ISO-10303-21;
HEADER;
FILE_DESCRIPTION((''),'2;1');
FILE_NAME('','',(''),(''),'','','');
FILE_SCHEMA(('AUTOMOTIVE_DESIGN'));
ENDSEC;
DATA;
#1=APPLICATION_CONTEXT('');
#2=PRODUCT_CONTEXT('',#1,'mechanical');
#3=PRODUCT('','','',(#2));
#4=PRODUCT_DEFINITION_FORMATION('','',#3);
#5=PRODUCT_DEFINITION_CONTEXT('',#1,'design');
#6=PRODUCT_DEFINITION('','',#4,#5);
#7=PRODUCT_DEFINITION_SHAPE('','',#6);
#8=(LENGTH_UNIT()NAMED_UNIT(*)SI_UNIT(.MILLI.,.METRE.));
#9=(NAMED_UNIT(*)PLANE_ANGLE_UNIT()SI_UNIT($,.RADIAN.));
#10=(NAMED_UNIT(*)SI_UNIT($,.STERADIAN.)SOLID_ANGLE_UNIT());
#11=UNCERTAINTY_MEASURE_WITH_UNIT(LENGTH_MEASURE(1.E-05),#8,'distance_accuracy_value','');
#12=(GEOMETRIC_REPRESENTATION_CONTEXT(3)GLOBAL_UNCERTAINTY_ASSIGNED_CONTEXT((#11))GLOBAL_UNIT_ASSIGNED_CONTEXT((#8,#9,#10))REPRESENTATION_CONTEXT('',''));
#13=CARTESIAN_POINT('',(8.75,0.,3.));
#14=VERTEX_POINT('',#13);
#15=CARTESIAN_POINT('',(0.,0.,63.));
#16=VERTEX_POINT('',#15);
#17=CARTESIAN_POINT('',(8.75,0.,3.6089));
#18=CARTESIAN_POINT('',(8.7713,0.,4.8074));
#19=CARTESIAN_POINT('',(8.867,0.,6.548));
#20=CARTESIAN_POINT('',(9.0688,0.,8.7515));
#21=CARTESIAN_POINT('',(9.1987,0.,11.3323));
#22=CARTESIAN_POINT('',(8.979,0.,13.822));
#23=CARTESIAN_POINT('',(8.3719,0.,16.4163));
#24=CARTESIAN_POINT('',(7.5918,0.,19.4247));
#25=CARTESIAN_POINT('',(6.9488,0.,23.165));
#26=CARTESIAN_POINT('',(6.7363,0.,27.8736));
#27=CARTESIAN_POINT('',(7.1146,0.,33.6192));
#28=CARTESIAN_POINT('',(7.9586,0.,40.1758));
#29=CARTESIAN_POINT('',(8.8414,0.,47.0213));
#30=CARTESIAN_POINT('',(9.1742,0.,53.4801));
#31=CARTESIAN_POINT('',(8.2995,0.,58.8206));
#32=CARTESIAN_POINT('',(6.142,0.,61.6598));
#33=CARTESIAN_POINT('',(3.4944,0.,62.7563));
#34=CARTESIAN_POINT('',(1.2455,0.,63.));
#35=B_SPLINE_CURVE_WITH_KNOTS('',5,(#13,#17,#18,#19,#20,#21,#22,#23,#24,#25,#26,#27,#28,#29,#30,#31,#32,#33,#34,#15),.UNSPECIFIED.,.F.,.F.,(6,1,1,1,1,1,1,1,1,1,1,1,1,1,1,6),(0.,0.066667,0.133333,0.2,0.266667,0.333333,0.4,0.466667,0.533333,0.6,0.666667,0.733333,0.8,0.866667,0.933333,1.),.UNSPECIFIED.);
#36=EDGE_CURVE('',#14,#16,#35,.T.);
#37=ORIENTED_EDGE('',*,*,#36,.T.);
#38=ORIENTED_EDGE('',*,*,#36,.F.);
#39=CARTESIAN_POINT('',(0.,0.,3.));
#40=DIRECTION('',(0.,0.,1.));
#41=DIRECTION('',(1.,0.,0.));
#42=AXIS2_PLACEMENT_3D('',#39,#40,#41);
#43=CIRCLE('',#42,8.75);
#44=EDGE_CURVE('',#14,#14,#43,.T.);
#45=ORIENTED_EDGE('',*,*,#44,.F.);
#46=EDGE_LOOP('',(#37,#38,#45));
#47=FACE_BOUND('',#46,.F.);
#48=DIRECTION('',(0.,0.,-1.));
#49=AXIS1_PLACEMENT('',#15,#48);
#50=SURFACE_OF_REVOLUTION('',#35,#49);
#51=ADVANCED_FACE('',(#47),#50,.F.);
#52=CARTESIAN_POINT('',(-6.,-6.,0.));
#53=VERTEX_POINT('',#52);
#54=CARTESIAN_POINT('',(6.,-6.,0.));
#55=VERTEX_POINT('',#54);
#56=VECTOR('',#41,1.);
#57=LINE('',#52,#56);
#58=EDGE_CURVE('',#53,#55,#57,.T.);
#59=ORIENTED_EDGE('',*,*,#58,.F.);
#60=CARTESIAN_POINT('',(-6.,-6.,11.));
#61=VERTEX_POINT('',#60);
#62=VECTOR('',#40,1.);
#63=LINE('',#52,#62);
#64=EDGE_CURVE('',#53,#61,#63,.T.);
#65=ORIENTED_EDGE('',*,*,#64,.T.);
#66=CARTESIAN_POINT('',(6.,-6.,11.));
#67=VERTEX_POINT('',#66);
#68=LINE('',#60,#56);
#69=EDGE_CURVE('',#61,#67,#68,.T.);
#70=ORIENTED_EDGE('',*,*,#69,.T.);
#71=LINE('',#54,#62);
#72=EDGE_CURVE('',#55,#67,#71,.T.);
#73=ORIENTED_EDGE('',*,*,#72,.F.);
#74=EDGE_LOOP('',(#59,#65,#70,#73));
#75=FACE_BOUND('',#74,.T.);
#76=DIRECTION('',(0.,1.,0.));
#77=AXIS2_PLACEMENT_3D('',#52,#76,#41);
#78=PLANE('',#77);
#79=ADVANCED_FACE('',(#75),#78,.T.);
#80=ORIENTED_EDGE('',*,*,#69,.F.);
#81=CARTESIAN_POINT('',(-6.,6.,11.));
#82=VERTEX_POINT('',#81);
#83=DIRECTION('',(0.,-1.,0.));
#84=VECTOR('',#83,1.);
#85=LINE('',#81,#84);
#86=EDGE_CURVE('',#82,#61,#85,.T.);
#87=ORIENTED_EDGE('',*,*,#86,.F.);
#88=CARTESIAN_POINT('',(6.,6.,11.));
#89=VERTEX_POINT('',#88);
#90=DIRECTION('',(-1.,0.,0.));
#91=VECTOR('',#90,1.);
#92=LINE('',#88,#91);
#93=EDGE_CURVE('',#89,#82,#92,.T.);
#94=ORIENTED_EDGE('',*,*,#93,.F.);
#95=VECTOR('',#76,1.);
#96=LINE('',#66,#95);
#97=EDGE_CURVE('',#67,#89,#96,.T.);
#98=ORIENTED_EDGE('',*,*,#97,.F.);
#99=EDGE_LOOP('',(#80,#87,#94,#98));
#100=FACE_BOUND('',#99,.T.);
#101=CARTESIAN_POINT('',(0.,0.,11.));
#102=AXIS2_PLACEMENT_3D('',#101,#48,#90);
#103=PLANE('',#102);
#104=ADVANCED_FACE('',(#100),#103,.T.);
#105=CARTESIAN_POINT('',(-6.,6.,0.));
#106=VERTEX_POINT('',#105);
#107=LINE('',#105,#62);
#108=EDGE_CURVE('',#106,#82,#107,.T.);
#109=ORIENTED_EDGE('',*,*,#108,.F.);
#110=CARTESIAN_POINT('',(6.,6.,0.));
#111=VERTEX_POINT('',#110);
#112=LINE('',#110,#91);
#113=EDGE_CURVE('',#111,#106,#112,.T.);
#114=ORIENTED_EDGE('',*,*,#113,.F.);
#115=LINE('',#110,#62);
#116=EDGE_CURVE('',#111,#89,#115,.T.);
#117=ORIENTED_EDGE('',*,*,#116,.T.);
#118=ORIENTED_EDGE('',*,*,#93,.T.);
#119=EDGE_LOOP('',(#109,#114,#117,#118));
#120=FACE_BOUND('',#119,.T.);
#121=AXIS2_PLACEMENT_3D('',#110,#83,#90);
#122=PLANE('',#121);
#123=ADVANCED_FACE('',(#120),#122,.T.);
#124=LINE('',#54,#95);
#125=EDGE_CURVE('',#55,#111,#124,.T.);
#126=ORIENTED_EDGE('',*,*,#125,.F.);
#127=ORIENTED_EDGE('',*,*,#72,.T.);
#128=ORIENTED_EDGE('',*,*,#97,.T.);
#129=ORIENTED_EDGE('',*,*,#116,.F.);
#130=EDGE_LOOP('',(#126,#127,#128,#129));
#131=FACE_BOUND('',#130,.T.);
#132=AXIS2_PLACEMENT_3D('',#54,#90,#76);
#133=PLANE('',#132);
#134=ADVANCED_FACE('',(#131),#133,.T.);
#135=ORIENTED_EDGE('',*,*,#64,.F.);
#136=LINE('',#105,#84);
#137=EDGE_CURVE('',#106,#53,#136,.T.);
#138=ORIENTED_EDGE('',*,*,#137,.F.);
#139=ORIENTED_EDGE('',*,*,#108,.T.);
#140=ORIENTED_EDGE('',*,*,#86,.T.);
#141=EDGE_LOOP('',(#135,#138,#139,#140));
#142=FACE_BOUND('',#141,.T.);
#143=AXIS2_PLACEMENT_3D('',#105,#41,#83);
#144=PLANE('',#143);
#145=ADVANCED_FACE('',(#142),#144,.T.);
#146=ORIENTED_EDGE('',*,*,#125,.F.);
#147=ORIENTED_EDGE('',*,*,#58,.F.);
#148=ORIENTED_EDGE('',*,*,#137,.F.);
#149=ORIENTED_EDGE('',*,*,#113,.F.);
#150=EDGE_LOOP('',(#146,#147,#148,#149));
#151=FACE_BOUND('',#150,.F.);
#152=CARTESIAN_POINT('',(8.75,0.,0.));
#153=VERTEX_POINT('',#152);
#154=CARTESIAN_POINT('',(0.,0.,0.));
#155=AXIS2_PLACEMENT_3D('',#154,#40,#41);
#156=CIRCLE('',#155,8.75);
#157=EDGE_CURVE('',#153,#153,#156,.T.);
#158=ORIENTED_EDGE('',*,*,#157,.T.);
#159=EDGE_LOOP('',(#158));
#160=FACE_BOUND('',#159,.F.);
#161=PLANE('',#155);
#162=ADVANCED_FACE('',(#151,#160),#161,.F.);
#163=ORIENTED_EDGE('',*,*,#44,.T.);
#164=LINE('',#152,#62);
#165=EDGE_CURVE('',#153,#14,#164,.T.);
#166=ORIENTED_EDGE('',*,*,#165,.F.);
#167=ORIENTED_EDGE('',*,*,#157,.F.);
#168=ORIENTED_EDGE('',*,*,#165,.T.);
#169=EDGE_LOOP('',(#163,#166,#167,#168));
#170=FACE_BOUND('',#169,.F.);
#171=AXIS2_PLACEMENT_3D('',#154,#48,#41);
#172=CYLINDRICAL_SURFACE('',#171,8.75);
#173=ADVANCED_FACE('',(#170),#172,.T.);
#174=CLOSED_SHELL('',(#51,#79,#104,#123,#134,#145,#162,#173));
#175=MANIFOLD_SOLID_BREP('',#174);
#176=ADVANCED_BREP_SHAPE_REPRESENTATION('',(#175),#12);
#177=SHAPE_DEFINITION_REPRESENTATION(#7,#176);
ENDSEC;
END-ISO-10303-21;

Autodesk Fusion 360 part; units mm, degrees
sketch "Skizze1" plane through (0, 0, 0) normal (0, 0, 1) x (1, 0, 0)
  circle A0 centre (0, 0) radius 8.75
  dimension "d1" = 17.5
extrude "Extrusion1" add sketch "Skizze1" along normal blind 3
sketch "Skizze2" plane through (0, 0, 0) normal (0, 1, 0) x (1, 0, 0)
  line L0 (-8.75, -3) -> (8.75, -3)
  spline S0 degree 5 poles (8.75, -3) (8.75, -3.6089) (8.7713, -4.8074) (8.867, -6.548) (9.0688, -8.7515) (9.1987, -11.3323) (8.979, -13.822) (8.3719, -16.4163) (7.5918, -19.4247) (6.9488, -23.165) (6.7363, -27.8736) (7.1146, -33.6192) (7.9586, -40.1758) (8.8414, -47.0213) (9.1742, -53.4801) (8.2995, -58.8206) (6.142, -61.6598) (3.4944, -62.7563) (1.2455, -63) (0, -63) knots 0 0 0 0 0 0 0.066667 0.133333 0.2 0.266667 0.333333 0.4 0.466667 0.533333 0.6 0.666667 0.733333 0.8 0.866667 0.933333 1 1 1 1 1 1
  line L1 (0, -63) -> (0, -3)
  line L2 (3.5, -63) -> (-3.5, -63)
  line L3 (8.75, 1.4189) -> (8.75, -7.4189)
  point P0 (9, -13)
  point P1 (7, -31)
  dimension "d4" = 60
  dimension "d5" = 7
  dimension "d6" = 9
  dimension "d7" = 7
  dimension "d8" = 10
  dimension "d9" = 28
revolve "Drehen1" add sketch "Skizze2" angle 360 about axis through (0, 0, 63) along (0, 0, -1)
sketch "Skizze3" plane through (0, 0, 0) normal (0, 0, -1) x (-1, 0, 0)
  circle A0 centre (0, 0) radius 8.75
  line L0 (-6, 6) -> (6, 6)
  line L1 (6, 6) -> (6, -6)
  line L2 (6, -6) -> (-6, -6)
  line L3 (-6, -6) -> (-6, 6)
  line L4 (-6, 6) -> (6, -6) construction
  line L5 (6, 6) -> (-6, -6) construction
  dimension "d11" = 12
extrude "Extrusion2" cut sketch "Skizze3" against normal blind 11 contours L0 L1 L2 L3
